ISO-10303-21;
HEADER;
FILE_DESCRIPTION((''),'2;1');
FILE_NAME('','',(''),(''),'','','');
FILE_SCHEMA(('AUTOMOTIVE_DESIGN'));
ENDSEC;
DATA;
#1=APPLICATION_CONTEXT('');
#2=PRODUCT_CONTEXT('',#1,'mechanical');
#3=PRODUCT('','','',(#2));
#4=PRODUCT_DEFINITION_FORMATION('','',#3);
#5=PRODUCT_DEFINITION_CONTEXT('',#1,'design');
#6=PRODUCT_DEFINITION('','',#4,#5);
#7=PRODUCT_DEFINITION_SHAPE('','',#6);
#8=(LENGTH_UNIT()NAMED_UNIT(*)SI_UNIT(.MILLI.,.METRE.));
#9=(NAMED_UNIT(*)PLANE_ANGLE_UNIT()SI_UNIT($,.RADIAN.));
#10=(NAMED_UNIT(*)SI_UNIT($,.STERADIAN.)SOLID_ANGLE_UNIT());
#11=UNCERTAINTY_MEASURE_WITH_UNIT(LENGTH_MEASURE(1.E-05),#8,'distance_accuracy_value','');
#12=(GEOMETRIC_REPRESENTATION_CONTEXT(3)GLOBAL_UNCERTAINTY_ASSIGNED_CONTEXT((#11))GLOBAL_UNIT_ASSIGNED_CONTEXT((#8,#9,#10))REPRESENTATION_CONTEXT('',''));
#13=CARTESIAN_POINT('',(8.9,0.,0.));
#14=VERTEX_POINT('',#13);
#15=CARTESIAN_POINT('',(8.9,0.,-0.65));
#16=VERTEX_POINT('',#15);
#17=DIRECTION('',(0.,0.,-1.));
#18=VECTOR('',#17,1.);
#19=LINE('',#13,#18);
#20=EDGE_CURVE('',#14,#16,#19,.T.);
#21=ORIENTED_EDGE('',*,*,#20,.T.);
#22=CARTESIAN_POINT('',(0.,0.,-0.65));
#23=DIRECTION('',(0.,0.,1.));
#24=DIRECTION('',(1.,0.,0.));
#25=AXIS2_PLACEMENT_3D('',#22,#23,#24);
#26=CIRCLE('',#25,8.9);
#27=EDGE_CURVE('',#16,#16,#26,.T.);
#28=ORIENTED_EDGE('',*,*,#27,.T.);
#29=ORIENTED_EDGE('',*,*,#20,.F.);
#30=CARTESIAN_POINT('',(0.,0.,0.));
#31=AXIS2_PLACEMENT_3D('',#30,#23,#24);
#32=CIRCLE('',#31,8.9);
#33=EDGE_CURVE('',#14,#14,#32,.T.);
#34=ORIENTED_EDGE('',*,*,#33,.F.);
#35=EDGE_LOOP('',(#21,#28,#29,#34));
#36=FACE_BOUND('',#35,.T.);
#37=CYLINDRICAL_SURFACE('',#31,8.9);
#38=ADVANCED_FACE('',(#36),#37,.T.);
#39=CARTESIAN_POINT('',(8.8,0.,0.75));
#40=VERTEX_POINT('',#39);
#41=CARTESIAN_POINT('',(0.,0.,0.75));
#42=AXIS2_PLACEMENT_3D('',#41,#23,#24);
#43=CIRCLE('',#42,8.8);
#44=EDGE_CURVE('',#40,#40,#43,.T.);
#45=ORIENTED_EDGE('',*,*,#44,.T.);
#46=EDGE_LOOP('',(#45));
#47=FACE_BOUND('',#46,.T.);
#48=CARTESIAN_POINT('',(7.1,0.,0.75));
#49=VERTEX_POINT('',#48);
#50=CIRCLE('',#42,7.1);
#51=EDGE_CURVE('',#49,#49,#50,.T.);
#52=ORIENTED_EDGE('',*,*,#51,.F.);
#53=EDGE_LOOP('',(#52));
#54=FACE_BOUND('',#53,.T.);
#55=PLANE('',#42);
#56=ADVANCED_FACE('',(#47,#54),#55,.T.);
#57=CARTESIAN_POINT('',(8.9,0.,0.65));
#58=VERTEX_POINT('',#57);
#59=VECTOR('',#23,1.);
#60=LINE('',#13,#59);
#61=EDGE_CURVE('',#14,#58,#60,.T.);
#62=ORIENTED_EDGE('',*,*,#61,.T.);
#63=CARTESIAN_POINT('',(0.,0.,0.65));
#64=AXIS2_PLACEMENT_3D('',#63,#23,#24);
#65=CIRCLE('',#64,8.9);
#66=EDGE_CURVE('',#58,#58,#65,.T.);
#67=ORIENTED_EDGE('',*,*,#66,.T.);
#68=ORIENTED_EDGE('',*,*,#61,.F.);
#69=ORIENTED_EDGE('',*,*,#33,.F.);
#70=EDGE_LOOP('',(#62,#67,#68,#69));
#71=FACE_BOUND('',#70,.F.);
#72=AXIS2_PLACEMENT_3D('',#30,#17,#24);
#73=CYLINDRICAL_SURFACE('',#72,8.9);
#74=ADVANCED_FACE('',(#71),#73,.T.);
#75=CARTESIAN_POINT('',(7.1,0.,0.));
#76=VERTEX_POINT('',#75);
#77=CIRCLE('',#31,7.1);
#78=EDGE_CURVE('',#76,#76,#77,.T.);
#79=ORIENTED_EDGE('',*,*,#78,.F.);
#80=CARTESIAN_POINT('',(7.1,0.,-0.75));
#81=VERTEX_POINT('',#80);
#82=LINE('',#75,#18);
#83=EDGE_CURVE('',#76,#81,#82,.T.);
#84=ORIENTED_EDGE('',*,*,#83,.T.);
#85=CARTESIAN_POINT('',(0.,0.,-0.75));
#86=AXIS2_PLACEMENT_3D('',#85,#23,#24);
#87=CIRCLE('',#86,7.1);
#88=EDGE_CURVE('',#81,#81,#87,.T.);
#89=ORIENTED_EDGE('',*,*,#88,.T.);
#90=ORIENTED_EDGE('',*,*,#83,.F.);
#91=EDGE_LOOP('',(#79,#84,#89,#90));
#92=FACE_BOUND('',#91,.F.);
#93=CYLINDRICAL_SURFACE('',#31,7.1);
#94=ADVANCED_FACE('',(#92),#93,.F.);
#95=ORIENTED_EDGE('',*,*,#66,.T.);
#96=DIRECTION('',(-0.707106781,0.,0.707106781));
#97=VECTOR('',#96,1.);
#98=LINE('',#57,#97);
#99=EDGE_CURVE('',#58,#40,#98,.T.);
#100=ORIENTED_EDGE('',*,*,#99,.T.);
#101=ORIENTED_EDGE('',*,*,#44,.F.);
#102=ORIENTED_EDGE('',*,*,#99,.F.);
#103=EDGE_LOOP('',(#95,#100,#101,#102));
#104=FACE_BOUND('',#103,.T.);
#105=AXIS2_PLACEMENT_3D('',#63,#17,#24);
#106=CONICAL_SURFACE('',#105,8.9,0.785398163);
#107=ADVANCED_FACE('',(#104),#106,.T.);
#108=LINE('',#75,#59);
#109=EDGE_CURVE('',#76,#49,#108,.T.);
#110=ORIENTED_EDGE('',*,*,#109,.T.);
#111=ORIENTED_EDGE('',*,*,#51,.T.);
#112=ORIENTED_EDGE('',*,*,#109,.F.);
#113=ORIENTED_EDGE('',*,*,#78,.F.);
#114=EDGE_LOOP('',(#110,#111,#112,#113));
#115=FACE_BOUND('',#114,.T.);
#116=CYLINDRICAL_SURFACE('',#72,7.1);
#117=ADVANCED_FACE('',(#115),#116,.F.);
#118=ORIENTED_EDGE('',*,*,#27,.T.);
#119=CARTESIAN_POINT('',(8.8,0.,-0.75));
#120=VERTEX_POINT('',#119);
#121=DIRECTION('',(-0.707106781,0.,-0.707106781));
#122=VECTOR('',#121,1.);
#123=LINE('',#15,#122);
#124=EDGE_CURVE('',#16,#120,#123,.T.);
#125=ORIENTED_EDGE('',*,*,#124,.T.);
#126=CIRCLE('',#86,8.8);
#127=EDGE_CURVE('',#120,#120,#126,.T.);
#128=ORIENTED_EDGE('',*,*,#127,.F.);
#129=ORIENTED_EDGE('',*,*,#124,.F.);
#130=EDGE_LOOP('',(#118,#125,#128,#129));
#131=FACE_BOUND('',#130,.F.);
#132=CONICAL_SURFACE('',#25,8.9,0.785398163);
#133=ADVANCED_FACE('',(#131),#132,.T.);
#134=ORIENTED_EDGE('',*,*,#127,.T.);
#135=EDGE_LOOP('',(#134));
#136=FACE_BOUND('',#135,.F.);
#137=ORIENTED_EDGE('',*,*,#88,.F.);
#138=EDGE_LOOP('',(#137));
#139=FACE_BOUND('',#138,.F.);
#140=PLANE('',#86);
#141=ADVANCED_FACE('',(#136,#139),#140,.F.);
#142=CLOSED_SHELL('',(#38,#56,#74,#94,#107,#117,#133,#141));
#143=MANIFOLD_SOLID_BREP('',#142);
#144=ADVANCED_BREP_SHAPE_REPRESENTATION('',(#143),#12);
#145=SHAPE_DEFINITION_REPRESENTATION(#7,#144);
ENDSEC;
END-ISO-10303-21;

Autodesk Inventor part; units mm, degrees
ref_plane "YZ Plane" through (0, 0, 0) normal (1, 0, 0) x (0, 1, 0)
ref_plane "XZ Plane" through (0, 0, 0) normal (0, 1, 0) x (-1, 0, 0)
ref_plane "XY Plane" through (0, 0, 0) normal (0, 0, 1) x (1, 0, 0)
sketch "Esboço1" plane through (0, 0, 0) normal (0, 0, 1) x (1, 0, 0)
  circle A0 centre (0, 0) radius 7.1
  circle A1 centre (0, 0) radius 8.9
  dimension "d0" = 14.2
  dimension "d1" = 17.8
extrude "Extrusão1" add sketch "Esboço1" along normal mid plane 1.5
chamfer "Chanfro1" distance 0.1 angle 45 2 edges at (-8.9, 0, 0.75) (-8.9, 0, -0.75)
